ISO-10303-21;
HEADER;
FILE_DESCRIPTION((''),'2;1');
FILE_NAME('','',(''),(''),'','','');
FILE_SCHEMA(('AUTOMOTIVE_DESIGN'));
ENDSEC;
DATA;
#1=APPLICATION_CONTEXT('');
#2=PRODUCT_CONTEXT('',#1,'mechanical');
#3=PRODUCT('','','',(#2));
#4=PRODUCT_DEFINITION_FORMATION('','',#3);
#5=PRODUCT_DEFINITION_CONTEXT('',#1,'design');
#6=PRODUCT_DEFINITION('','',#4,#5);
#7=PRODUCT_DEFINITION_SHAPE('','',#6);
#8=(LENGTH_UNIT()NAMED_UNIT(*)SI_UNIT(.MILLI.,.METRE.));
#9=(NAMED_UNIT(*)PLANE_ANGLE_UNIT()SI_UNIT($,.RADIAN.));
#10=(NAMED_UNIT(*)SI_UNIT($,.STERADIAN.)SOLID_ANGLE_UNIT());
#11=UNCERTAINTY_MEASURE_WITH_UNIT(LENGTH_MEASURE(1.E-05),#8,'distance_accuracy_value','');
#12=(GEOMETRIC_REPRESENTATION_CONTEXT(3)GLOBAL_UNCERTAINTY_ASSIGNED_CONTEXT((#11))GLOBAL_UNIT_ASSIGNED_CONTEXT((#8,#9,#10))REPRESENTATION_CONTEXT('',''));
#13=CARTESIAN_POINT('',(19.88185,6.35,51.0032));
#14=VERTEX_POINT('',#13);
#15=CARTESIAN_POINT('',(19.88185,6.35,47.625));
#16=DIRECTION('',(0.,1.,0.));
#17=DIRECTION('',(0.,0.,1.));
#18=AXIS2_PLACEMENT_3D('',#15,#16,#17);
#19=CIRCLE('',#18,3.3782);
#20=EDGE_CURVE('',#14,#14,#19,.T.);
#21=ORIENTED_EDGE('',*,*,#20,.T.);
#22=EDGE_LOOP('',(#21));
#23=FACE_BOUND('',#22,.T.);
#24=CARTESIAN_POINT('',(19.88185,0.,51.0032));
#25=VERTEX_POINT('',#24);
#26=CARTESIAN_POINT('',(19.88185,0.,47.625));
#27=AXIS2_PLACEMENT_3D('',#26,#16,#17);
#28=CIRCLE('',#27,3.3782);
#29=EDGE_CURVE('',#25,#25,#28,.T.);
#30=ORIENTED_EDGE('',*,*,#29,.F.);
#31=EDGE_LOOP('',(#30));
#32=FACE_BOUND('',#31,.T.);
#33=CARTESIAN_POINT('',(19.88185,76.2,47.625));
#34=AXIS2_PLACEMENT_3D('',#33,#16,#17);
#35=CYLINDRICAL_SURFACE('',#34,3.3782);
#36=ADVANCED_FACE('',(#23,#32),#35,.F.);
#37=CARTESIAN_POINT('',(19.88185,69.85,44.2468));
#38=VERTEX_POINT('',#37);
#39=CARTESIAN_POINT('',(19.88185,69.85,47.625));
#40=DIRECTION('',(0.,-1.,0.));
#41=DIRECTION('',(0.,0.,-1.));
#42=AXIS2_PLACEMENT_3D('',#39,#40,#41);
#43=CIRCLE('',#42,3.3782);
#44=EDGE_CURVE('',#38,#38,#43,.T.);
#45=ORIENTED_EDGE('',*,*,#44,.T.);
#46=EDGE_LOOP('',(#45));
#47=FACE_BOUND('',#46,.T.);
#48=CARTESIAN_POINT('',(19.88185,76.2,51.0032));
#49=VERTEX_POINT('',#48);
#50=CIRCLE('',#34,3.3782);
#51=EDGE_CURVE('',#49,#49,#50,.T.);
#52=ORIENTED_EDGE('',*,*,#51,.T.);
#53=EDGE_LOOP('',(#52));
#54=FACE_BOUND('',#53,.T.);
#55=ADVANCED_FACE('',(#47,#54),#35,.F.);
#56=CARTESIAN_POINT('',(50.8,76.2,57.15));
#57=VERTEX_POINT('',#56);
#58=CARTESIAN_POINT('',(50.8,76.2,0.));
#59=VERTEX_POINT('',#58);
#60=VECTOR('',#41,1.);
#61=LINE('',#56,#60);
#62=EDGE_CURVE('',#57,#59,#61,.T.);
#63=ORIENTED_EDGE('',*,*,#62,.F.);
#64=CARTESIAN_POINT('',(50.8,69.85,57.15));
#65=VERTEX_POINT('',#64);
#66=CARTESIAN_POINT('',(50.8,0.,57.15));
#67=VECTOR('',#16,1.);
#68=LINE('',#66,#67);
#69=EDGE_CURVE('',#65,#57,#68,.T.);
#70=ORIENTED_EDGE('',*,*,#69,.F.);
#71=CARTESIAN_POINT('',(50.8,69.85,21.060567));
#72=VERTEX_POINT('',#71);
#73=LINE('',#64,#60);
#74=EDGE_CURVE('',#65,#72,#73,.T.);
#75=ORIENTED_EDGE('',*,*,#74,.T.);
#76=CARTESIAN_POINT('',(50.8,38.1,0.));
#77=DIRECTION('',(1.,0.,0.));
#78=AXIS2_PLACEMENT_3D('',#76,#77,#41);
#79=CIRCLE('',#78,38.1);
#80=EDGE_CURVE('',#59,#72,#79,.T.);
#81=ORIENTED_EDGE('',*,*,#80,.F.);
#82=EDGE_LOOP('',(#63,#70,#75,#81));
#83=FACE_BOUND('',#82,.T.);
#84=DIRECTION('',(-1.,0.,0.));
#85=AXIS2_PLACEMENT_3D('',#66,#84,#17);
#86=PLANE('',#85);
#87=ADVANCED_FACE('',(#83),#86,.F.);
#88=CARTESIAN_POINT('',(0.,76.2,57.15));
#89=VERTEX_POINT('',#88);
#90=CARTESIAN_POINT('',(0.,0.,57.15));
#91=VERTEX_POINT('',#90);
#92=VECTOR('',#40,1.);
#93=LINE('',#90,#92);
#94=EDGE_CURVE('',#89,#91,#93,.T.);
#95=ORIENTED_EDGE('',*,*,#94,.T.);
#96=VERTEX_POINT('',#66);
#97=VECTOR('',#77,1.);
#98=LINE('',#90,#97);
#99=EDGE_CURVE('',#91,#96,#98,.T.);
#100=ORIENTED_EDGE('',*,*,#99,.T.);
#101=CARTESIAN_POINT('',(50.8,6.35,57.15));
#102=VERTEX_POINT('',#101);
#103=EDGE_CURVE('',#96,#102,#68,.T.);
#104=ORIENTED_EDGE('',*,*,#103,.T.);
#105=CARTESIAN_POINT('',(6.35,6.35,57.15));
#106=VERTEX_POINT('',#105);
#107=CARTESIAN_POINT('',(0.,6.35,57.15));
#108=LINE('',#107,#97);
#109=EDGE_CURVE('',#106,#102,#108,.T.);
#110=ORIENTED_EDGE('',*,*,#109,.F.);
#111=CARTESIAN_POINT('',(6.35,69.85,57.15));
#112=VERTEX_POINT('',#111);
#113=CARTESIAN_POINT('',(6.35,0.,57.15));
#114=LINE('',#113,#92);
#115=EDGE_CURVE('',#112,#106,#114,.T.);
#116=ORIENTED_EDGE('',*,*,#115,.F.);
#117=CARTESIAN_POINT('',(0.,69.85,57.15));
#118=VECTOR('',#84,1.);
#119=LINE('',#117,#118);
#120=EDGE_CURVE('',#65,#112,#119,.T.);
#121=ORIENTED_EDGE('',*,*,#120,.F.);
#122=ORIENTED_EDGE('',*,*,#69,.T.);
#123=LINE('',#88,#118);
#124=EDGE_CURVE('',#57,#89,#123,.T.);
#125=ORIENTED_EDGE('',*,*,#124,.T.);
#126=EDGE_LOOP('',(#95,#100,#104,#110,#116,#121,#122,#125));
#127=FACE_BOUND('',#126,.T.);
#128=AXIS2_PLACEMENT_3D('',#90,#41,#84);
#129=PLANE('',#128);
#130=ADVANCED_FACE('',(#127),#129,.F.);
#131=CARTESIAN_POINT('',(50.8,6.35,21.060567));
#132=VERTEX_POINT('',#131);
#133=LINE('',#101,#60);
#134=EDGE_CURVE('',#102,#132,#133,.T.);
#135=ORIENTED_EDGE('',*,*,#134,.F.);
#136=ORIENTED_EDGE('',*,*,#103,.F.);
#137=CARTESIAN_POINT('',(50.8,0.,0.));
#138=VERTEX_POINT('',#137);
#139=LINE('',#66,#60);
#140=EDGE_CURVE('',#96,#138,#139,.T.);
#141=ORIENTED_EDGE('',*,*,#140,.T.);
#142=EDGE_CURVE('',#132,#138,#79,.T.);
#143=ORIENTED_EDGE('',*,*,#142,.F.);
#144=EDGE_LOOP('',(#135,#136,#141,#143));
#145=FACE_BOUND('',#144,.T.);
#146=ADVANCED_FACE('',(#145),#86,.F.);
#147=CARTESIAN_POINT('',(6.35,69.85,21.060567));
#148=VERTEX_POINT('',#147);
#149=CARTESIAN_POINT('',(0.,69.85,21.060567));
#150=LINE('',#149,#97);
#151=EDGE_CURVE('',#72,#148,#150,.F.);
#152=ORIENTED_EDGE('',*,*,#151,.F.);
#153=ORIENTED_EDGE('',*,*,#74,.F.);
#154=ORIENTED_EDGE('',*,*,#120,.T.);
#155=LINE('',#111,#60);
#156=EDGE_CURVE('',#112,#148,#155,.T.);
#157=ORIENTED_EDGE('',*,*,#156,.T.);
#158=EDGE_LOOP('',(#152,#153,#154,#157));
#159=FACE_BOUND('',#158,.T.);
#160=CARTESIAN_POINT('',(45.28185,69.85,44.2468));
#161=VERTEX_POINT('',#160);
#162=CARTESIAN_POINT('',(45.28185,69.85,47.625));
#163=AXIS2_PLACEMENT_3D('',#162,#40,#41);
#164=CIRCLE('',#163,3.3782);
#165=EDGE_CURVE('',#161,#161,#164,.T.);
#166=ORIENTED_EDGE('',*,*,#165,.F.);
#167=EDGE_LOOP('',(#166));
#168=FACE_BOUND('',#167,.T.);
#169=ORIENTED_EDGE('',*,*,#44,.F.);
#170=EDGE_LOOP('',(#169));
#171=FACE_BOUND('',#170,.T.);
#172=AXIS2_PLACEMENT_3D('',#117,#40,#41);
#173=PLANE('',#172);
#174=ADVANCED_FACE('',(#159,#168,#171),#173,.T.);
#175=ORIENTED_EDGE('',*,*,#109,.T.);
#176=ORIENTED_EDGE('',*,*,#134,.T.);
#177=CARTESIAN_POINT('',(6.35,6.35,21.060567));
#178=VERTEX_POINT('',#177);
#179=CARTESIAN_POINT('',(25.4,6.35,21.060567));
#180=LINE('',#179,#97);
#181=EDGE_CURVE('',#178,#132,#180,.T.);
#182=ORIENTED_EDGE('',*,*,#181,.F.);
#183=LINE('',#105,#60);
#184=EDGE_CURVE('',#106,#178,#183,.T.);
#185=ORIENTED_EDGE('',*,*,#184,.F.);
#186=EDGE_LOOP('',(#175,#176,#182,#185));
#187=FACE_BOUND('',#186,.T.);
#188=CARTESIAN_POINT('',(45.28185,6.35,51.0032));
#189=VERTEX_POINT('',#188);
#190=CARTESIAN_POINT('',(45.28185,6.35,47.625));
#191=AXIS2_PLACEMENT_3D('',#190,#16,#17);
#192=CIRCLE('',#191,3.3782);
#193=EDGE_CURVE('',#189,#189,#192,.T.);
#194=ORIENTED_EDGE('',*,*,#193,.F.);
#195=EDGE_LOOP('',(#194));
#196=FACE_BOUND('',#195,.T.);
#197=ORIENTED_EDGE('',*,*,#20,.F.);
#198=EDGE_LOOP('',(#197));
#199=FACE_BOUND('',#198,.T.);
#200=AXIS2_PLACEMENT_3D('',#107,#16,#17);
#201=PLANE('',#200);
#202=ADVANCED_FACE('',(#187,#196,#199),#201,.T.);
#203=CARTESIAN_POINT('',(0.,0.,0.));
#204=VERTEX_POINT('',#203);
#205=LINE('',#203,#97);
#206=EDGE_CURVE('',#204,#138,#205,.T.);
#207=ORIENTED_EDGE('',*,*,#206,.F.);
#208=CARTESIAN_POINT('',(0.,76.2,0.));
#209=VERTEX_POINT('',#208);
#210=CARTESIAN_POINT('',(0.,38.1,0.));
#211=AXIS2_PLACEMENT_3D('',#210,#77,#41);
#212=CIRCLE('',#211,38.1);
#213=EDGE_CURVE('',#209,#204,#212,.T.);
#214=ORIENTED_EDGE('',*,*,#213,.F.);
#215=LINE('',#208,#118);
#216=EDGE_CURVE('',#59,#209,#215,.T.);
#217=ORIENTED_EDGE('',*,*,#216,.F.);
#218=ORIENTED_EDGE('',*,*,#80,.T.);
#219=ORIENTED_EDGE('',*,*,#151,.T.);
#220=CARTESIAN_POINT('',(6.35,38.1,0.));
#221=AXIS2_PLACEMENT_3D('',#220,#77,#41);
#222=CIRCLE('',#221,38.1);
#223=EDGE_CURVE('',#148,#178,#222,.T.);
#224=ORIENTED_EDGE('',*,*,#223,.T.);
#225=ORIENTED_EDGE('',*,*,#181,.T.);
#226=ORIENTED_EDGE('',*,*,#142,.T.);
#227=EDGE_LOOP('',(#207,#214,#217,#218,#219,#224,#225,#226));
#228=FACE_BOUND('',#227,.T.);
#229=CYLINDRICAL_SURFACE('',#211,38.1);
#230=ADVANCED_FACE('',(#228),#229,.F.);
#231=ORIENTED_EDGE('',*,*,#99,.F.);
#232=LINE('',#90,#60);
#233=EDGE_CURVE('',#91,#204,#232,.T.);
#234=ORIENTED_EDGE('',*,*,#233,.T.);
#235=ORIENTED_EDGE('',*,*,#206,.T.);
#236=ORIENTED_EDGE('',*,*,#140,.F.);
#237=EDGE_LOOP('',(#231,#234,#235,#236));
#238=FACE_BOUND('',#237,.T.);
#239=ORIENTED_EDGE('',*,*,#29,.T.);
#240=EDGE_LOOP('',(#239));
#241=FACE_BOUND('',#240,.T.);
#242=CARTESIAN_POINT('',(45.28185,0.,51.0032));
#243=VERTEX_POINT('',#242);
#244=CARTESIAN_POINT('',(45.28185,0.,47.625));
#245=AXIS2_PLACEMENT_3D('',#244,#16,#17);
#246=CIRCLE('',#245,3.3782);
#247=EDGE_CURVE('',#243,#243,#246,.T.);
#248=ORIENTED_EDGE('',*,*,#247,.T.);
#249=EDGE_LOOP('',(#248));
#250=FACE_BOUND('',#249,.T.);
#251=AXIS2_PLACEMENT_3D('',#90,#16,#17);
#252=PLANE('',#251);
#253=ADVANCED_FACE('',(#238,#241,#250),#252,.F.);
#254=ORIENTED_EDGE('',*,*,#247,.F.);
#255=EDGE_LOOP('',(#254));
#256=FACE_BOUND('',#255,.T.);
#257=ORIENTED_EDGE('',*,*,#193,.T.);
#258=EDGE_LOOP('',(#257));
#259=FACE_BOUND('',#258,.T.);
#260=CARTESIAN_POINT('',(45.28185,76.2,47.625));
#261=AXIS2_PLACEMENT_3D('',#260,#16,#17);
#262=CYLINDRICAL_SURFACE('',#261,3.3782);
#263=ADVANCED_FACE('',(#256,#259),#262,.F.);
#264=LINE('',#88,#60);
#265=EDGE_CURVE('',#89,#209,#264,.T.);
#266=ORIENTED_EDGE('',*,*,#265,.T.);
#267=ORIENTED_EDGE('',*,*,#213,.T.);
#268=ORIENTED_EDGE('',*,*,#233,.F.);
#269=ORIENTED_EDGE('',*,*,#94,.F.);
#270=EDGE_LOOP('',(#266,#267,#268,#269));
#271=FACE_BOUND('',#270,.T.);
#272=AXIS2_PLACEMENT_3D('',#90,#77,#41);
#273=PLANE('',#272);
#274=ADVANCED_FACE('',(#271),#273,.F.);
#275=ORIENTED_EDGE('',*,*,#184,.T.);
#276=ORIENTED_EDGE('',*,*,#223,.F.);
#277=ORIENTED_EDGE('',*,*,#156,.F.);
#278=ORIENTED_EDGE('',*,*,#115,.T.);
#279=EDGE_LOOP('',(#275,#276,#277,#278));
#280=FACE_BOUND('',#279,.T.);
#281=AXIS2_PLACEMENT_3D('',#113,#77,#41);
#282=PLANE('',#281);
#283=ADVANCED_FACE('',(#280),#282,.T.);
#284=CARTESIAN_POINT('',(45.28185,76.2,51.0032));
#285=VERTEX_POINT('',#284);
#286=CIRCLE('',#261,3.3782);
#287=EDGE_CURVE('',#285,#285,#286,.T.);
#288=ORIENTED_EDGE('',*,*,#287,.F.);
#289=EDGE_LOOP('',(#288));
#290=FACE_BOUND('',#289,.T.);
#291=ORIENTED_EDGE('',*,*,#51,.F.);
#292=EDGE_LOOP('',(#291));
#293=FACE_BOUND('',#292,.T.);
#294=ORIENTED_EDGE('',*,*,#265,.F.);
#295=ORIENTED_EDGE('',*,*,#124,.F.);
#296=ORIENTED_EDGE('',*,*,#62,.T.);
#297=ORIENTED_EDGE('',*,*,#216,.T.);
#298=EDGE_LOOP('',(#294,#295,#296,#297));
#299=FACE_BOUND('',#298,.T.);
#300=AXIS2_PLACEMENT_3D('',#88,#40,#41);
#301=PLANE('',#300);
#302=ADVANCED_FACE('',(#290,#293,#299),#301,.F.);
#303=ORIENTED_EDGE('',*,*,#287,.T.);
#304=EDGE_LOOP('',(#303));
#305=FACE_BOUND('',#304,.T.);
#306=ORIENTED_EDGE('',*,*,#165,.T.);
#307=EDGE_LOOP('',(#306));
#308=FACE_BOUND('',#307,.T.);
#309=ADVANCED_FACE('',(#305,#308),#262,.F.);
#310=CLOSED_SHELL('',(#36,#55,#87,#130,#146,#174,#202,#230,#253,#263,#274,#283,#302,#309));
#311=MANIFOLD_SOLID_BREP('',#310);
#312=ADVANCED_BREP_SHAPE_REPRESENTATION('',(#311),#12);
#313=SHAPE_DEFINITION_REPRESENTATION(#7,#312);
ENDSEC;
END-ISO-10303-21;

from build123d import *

# Parameters (mm, degrees)
SKETCH2_W               = 50.8
SKETCH2_H               = 76.2
BOSS_EXTRUDE2_DEPTH     = 57.15
SKETCH3_R               = 38.1
CUT_EXTRUDE1_DEPTH      = 108.95
SHELL1_T                = -6.35
F_1_4_CLEARANCE_HOLE1_D = 6.7564


with BuildPart() as part:
    # Sketch2 → Boss-Extrude2 (new body)
    with BuildSketch(Plane.XY):
        with Locations((25.4, 38.1)):
            Rectangle(SKETCH2_W, SKETCH2_H)
    extrude(amount=BOSS_EXTRUDE2_DEPTH)

    # Sketch3 → Cut-Extrude1 (cut, through all)
    with BuildSketch(Plane(origin=(50.8, 0, 0), x_dir=(0, 0, -1), z_dir=(1, 0, 0))):
        with Locations((0, 38.1)):
            Circle(SKETCH3_R)
    extrude(amount=-CUT_EXTRUDE1_DEPTH, mode=Mode.SUBTRACT)

    # Shell1
    shell1_openings = [part.faces().sort_by_distance(p)[0] for p in [
        (25.4, 38.1, 57.15),
        (25.4, 38.1, 38.1),
        (50.8, 38.1, 42.20881959),
    ]]
    offset(amount=SHELL1_T, openings=shell1_openings, kind=Kind.INTERSECTION)

    # 1/4 Clearance Hole1 (through all)
    with Locations(Plane(origin=(0, 76.2, 0), x_dir=(1, 0, 0), z_dir=(0, 1, 0))):
        with Locations((45.28185, -47.625), (19.88185, -47.625)):
            Hole(F_1_4_CLEARANCE_HOLE1_D / 2)


solid = part.part
